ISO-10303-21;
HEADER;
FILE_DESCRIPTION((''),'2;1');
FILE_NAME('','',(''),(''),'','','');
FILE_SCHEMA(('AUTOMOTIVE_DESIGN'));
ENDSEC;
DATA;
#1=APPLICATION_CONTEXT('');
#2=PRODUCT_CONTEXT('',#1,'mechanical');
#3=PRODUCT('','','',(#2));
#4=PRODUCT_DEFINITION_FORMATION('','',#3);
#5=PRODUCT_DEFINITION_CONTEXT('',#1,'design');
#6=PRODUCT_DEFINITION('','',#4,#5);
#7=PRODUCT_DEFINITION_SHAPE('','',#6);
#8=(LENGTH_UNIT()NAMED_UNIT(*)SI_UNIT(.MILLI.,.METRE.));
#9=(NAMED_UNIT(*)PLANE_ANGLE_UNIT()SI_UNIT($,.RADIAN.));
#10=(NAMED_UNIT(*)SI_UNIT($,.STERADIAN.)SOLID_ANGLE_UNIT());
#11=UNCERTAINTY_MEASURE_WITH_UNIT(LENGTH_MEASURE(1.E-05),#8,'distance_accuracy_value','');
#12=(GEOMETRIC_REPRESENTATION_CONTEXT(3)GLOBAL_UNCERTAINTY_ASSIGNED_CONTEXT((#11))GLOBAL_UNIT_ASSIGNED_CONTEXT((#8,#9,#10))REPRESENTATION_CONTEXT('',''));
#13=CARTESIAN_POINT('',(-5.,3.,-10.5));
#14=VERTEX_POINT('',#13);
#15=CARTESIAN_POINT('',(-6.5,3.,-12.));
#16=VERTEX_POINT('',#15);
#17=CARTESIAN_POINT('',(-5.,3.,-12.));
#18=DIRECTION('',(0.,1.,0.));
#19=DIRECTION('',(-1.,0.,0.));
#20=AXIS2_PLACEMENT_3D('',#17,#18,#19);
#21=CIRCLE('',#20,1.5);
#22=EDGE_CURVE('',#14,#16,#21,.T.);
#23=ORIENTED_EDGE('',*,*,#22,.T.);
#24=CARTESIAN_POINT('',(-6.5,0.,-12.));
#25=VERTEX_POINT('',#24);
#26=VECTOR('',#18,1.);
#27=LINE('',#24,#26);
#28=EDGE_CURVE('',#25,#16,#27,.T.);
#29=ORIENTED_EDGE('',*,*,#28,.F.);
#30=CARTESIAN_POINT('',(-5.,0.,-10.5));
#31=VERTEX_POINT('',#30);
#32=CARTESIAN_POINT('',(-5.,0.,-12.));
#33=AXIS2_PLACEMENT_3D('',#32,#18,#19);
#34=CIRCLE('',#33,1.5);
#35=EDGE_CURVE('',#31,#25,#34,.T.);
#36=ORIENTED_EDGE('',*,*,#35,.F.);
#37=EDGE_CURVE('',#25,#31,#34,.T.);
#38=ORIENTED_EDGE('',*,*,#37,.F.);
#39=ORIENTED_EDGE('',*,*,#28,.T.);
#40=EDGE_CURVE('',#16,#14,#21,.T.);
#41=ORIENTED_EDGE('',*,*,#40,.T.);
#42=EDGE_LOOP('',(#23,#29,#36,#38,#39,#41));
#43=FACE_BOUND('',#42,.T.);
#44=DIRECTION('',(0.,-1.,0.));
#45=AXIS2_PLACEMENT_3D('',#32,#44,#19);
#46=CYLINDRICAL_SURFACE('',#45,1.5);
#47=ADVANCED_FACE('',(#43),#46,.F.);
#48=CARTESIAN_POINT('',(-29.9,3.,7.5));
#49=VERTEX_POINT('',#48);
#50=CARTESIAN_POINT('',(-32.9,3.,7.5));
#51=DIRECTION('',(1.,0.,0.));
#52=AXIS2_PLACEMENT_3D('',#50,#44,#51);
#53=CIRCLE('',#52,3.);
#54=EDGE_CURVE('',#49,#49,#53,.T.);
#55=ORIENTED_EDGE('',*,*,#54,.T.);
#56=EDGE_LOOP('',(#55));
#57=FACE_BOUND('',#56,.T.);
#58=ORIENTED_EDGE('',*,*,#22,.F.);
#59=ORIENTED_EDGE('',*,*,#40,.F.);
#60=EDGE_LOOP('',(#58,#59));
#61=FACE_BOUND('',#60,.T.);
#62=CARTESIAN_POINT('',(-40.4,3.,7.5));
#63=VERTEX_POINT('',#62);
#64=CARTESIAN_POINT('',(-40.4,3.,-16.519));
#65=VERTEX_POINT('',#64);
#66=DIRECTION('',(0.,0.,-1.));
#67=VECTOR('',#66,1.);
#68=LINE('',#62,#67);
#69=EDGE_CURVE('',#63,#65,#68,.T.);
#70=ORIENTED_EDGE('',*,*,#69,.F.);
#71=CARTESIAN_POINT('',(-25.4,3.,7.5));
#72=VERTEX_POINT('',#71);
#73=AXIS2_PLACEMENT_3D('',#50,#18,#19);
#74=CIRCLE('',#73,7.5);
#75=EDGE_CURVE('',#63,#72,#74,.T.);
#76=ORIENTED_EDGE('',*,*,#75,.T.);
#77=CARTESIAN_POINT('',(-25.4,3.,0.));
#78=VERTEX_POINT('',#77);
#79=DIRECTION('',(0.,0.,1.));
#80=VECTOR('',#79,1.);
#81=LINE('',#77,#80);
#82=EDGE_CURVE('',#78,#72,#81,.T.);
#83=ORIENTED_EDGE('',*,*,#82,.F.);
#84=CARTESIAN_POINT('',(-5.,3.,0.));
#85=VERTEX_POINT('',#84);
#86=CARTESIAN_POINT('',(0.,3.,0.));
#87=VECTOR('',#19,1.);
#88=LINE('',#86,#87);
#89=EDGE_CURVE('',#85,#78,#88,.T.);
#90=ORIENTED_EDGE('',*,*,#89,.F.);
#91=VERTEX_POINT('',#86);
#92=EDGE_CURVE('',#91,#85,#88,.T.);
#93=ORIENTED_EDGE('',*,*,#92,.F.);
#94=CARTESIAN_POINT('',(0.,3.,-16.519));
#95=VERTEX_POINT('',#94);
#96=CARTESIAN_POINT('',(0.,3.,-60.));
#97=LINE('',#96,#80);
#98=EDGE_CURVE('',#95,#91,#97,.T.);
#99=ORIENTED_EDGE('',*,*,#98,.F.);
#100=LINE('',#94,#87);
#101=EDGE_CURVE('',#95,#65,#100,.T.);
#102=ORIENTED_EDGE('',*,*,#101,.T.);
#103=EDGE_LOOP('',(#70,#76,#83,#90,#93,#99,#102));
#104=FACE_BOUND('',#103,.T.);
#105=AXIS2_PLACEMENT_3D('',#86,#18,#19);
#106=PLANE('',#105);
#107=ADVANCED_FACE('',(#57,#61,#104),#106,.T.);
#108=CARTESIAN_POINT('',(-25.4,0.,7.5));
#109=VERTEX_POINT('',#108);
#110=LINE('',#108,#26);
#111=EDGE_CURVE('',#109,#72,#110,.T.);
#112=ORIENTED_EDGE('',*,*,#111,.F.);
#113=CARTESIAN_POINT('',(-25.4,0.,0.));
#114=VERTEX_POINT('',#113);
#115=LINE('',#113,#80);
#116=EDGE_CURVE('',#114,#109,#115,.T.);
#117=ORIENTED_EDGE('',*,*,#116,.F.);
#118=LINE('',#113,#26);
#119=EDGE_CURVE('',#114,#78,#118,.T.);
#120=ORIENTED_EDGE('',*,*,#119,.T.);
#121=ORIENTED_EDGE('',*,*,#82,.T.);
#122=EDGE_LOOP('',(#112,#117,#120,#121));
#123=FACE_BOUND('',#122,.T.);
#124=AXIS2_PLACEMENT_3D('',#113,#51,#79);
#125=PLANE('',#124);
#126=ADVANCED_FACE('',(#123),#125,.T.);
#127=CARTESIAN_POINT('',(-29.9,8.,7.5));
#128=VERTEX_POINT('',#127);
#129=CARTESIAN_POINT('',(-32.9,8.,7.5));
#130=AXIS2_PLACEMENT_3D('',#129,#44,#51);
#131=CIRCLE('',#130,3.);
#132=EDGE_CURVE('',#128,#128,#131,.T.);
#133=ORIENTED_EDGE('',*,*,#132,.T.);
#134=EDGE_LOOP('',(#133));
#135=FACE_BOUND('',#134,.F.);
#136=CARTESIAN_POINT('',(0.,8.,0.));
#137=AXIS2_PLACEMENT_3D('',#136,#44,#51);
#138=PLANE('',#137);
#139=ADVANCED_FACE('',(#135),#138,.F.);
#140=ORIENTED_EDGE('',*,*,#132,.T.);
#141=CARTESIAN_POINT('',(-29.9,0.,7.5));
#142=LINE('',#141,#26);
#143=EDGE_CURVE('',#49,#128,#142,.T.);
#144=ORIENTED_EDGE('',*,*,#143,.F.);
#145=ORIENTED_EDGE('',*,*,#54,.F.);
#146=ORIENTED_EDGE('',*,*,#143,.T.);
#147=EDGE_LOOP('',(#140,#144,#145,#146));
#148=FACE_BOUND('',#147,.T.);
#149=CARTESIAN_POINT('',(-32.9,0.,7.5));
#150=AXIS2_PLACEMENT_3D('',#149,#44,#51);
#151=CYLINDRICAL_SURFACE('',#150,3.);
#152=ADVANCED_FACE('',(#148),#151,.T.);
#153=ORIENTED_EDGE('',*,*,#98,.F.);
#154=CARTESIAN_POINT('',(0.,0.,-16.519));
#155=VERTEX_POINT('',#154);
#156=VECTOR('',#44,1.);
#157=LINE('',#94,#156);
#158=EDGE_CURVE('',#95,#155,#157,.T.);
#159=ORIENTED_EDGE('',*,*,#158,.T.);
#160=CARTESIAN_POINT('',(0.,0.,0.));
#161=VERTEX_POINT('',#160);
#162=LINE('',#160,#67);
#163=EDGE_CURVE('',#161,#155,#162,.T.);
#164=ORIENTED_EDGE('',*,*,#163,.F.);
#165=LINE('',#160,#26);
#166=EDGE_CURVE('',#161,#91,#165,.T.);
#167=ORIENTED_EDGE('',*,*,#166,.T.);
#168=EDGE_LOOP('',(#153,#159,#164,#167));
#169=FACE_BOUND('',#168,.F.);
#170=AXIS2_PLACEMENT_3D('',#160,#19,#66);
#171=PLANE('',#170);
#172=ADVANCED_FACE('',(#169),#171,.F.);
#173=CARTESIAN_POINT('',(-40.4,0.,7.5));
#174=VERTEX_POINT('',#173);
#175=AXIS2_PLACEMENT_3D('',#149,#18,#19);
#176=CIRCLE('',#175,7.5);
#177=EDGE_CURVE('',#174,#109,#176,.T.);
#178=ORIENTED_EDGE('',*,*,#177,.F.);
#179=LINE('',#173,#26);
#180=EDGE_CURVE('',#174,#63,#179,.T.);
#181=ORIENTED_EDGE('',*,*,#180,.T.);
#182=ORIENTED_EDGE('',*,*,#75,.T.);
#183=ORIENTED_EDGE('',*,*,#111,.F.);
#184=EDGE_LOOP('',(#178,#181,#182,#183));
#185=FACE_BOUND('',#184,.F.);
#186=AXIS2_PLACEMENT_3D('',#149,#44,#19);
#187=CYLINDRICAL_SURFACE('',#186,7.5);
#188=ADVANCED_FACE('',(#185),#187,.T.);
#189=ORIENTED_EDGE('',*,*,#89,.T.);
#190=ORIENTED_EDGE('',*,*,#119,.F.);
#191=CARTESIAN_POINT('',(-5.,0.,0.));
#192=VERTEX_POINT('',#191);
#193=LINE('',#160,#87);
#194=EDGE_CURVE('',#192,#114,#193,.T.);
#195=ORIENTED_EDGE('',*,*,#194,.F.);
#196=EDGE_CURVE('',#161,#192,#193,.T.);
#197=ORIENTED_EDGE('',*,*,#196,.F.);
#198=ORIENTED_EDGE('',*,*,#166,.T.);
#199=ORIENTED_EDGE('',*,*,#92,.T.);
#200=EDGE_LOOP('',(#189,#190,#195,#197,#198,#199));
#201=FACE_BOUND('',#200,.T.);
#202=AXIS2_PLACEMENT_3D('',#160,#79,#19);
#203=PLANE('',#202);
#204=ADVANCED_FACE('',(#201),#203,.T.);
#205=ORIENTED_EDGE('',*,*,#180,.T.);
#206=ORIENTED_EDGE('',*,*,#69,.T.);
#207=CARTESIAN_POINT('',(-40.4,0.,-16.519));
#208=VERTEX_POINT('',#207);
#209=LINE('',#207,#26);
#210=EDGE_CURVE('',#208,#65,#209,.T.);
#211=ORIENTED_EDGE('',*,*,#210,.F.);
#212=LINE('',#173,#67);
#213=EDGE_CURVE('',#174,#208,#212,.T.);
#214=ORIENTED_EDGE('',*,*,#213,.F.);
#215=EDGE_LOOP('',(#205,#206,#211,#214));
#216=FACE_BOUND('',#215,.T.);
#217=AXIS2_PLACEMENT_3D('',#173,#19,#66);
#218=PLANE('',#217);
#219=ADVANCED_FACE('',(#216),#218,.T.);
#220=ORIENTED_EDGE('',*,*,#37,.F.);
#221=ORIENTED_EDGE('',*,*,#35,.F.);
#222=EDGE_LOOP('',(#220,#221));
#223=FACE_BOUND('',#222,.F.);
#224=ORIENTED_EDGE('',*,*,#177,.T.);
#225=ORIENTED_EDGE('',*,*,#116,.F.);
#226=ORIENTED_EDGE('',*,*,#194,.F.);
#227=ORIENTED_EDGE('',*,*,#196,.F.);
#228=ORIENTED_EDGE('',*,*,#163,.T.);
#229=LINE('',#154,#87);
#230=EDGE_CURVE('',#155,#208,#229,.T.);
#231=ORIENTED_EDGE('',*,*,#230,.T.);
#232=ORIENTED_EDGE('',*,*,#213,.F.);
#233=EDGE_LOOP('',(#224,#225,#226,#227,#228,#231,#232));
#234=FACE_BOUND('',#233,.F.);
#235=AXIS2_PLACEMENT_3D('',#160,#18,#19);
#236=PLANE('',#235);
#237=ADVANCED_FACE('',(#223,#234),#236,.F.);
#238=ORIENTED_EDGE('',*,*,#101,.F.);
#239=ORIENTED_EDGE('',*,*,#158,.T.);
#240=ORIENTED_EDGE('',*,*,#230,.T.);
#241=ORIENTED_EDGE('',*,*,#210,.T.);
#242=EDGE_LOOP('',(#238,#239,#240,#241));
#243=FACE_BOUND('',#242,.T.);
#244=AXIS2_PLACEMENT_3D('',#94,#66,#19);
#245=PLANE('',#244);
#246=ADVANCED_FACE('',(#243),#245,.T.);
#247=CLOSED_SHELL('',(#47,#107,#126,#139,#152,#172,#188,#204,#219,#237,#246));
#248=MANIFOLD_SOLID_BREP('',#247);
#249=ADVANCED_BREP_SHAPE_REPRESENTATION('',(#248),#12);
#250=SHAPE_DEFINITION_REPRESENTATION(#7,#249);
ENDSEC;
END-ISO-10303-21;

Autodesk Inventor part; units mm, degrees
ref_plane "YZ Plane" through (0, 0, 0) normal (1, 0, 0) x (0, 1, 0)
ref_plane "XZ Plane" through (0, 0, 0) normal (0, 1, 0) x (-1, 0, 0)
ref_plane "XY Plane" through (0, 0, 0) normal (0, 0, 1) x (1, 0, 0)
sketch "Sketch3" plane through (0, 0, 0) normal (0, 1, 0) x (-1, 0, 0)
  line L0 (0, 0) -> (0, -60)
  line L1 (0, 0) -> (60, 0) construction
  line L2 (0, -60) -> (12.519, -60)
  line L3 (0, 0) -> (25.4, 0)
  line L4 (25.4, 0) -> (25.4, 7.5)
  line L5 (25.4, 7.5) -> (40.4, 7.5)
  circle A0 centre (32.9, 7.5) radius 7.5
  circle A1 centre (32.9, 7.5) radius 3
  line L6 (40.4, 7.5) -> (40.4, -16.519)
  line L7 (40.4, -16.519) -> (12.519, -60)
  line L8 (0, -30) -> (5, -30)
  line L9 (5, -60) -> (5, -48)
  line L10 (5, 0) -> (5, -12)
  circle A2 centre (5, -12) radius 1.5
  circle A3 centre (5, -48) radius 1.5
  dimension "d6" = 60
  dimension "d7" = 90
  dimension "d8" = 12.519
  dimension "d9" = 25.4
  dimension "d10" = 7.5
  dimension "d11" = 15
  dimension "d12" = 6
  dimension "d13" = 24.019
  dimension "d18" = 5
  dimension "d19" = 12
  dimension "d20" = 12
  dimension "d21" = 3
  dimension "d22" = 3
extrude "Extrusion1" add sketch "Sketch3" along normal blind 3 contours L3 L4 A0 L6 L7 L2 L0 | A0 L5 A1 | L5 A1 A0 | L5 A1 picked at (33.8145, 6.796)
sketch "Sketch4" plane through (0, 0, 0) normal (0, -1, 0) x (1, 0, 0)
  line L0 (-35.9, 7.5) -> (-29.9, 7.5) projected
  line L1 (-29.9, 7.5) -> (-35.9, 7.5) projected
  circle A0 centre (-32.9, 7.5) radius 3
  point P0 (0, 0)
extrude "Extrusion2" add sketch "Sketch4" against normal blind 8
sketch "Sketch5" plane through (0, 3, 0) normal (0, 1, 0) x (1, 0, 0)
  line L0 (-40.4, 16.519) -> (-40.4, -7.5) projected
  line L1 (0, 60) -> (-12.519, 60) projected
  line L2 (-40.4, 60) -> (0, 60)
  line L3 (0, 60) -> (0, 16.519)
  line L4 (0, 16.519) -> (-40.4, 16.519)
  line L5 (-40.4, 16.519) -> (-40.4, 60)
  point P0 (0, 0)
extrude "Extrusion3" cut sketch "Sketch5" against normal blind 25.4
properties part number "exShortShaft"
